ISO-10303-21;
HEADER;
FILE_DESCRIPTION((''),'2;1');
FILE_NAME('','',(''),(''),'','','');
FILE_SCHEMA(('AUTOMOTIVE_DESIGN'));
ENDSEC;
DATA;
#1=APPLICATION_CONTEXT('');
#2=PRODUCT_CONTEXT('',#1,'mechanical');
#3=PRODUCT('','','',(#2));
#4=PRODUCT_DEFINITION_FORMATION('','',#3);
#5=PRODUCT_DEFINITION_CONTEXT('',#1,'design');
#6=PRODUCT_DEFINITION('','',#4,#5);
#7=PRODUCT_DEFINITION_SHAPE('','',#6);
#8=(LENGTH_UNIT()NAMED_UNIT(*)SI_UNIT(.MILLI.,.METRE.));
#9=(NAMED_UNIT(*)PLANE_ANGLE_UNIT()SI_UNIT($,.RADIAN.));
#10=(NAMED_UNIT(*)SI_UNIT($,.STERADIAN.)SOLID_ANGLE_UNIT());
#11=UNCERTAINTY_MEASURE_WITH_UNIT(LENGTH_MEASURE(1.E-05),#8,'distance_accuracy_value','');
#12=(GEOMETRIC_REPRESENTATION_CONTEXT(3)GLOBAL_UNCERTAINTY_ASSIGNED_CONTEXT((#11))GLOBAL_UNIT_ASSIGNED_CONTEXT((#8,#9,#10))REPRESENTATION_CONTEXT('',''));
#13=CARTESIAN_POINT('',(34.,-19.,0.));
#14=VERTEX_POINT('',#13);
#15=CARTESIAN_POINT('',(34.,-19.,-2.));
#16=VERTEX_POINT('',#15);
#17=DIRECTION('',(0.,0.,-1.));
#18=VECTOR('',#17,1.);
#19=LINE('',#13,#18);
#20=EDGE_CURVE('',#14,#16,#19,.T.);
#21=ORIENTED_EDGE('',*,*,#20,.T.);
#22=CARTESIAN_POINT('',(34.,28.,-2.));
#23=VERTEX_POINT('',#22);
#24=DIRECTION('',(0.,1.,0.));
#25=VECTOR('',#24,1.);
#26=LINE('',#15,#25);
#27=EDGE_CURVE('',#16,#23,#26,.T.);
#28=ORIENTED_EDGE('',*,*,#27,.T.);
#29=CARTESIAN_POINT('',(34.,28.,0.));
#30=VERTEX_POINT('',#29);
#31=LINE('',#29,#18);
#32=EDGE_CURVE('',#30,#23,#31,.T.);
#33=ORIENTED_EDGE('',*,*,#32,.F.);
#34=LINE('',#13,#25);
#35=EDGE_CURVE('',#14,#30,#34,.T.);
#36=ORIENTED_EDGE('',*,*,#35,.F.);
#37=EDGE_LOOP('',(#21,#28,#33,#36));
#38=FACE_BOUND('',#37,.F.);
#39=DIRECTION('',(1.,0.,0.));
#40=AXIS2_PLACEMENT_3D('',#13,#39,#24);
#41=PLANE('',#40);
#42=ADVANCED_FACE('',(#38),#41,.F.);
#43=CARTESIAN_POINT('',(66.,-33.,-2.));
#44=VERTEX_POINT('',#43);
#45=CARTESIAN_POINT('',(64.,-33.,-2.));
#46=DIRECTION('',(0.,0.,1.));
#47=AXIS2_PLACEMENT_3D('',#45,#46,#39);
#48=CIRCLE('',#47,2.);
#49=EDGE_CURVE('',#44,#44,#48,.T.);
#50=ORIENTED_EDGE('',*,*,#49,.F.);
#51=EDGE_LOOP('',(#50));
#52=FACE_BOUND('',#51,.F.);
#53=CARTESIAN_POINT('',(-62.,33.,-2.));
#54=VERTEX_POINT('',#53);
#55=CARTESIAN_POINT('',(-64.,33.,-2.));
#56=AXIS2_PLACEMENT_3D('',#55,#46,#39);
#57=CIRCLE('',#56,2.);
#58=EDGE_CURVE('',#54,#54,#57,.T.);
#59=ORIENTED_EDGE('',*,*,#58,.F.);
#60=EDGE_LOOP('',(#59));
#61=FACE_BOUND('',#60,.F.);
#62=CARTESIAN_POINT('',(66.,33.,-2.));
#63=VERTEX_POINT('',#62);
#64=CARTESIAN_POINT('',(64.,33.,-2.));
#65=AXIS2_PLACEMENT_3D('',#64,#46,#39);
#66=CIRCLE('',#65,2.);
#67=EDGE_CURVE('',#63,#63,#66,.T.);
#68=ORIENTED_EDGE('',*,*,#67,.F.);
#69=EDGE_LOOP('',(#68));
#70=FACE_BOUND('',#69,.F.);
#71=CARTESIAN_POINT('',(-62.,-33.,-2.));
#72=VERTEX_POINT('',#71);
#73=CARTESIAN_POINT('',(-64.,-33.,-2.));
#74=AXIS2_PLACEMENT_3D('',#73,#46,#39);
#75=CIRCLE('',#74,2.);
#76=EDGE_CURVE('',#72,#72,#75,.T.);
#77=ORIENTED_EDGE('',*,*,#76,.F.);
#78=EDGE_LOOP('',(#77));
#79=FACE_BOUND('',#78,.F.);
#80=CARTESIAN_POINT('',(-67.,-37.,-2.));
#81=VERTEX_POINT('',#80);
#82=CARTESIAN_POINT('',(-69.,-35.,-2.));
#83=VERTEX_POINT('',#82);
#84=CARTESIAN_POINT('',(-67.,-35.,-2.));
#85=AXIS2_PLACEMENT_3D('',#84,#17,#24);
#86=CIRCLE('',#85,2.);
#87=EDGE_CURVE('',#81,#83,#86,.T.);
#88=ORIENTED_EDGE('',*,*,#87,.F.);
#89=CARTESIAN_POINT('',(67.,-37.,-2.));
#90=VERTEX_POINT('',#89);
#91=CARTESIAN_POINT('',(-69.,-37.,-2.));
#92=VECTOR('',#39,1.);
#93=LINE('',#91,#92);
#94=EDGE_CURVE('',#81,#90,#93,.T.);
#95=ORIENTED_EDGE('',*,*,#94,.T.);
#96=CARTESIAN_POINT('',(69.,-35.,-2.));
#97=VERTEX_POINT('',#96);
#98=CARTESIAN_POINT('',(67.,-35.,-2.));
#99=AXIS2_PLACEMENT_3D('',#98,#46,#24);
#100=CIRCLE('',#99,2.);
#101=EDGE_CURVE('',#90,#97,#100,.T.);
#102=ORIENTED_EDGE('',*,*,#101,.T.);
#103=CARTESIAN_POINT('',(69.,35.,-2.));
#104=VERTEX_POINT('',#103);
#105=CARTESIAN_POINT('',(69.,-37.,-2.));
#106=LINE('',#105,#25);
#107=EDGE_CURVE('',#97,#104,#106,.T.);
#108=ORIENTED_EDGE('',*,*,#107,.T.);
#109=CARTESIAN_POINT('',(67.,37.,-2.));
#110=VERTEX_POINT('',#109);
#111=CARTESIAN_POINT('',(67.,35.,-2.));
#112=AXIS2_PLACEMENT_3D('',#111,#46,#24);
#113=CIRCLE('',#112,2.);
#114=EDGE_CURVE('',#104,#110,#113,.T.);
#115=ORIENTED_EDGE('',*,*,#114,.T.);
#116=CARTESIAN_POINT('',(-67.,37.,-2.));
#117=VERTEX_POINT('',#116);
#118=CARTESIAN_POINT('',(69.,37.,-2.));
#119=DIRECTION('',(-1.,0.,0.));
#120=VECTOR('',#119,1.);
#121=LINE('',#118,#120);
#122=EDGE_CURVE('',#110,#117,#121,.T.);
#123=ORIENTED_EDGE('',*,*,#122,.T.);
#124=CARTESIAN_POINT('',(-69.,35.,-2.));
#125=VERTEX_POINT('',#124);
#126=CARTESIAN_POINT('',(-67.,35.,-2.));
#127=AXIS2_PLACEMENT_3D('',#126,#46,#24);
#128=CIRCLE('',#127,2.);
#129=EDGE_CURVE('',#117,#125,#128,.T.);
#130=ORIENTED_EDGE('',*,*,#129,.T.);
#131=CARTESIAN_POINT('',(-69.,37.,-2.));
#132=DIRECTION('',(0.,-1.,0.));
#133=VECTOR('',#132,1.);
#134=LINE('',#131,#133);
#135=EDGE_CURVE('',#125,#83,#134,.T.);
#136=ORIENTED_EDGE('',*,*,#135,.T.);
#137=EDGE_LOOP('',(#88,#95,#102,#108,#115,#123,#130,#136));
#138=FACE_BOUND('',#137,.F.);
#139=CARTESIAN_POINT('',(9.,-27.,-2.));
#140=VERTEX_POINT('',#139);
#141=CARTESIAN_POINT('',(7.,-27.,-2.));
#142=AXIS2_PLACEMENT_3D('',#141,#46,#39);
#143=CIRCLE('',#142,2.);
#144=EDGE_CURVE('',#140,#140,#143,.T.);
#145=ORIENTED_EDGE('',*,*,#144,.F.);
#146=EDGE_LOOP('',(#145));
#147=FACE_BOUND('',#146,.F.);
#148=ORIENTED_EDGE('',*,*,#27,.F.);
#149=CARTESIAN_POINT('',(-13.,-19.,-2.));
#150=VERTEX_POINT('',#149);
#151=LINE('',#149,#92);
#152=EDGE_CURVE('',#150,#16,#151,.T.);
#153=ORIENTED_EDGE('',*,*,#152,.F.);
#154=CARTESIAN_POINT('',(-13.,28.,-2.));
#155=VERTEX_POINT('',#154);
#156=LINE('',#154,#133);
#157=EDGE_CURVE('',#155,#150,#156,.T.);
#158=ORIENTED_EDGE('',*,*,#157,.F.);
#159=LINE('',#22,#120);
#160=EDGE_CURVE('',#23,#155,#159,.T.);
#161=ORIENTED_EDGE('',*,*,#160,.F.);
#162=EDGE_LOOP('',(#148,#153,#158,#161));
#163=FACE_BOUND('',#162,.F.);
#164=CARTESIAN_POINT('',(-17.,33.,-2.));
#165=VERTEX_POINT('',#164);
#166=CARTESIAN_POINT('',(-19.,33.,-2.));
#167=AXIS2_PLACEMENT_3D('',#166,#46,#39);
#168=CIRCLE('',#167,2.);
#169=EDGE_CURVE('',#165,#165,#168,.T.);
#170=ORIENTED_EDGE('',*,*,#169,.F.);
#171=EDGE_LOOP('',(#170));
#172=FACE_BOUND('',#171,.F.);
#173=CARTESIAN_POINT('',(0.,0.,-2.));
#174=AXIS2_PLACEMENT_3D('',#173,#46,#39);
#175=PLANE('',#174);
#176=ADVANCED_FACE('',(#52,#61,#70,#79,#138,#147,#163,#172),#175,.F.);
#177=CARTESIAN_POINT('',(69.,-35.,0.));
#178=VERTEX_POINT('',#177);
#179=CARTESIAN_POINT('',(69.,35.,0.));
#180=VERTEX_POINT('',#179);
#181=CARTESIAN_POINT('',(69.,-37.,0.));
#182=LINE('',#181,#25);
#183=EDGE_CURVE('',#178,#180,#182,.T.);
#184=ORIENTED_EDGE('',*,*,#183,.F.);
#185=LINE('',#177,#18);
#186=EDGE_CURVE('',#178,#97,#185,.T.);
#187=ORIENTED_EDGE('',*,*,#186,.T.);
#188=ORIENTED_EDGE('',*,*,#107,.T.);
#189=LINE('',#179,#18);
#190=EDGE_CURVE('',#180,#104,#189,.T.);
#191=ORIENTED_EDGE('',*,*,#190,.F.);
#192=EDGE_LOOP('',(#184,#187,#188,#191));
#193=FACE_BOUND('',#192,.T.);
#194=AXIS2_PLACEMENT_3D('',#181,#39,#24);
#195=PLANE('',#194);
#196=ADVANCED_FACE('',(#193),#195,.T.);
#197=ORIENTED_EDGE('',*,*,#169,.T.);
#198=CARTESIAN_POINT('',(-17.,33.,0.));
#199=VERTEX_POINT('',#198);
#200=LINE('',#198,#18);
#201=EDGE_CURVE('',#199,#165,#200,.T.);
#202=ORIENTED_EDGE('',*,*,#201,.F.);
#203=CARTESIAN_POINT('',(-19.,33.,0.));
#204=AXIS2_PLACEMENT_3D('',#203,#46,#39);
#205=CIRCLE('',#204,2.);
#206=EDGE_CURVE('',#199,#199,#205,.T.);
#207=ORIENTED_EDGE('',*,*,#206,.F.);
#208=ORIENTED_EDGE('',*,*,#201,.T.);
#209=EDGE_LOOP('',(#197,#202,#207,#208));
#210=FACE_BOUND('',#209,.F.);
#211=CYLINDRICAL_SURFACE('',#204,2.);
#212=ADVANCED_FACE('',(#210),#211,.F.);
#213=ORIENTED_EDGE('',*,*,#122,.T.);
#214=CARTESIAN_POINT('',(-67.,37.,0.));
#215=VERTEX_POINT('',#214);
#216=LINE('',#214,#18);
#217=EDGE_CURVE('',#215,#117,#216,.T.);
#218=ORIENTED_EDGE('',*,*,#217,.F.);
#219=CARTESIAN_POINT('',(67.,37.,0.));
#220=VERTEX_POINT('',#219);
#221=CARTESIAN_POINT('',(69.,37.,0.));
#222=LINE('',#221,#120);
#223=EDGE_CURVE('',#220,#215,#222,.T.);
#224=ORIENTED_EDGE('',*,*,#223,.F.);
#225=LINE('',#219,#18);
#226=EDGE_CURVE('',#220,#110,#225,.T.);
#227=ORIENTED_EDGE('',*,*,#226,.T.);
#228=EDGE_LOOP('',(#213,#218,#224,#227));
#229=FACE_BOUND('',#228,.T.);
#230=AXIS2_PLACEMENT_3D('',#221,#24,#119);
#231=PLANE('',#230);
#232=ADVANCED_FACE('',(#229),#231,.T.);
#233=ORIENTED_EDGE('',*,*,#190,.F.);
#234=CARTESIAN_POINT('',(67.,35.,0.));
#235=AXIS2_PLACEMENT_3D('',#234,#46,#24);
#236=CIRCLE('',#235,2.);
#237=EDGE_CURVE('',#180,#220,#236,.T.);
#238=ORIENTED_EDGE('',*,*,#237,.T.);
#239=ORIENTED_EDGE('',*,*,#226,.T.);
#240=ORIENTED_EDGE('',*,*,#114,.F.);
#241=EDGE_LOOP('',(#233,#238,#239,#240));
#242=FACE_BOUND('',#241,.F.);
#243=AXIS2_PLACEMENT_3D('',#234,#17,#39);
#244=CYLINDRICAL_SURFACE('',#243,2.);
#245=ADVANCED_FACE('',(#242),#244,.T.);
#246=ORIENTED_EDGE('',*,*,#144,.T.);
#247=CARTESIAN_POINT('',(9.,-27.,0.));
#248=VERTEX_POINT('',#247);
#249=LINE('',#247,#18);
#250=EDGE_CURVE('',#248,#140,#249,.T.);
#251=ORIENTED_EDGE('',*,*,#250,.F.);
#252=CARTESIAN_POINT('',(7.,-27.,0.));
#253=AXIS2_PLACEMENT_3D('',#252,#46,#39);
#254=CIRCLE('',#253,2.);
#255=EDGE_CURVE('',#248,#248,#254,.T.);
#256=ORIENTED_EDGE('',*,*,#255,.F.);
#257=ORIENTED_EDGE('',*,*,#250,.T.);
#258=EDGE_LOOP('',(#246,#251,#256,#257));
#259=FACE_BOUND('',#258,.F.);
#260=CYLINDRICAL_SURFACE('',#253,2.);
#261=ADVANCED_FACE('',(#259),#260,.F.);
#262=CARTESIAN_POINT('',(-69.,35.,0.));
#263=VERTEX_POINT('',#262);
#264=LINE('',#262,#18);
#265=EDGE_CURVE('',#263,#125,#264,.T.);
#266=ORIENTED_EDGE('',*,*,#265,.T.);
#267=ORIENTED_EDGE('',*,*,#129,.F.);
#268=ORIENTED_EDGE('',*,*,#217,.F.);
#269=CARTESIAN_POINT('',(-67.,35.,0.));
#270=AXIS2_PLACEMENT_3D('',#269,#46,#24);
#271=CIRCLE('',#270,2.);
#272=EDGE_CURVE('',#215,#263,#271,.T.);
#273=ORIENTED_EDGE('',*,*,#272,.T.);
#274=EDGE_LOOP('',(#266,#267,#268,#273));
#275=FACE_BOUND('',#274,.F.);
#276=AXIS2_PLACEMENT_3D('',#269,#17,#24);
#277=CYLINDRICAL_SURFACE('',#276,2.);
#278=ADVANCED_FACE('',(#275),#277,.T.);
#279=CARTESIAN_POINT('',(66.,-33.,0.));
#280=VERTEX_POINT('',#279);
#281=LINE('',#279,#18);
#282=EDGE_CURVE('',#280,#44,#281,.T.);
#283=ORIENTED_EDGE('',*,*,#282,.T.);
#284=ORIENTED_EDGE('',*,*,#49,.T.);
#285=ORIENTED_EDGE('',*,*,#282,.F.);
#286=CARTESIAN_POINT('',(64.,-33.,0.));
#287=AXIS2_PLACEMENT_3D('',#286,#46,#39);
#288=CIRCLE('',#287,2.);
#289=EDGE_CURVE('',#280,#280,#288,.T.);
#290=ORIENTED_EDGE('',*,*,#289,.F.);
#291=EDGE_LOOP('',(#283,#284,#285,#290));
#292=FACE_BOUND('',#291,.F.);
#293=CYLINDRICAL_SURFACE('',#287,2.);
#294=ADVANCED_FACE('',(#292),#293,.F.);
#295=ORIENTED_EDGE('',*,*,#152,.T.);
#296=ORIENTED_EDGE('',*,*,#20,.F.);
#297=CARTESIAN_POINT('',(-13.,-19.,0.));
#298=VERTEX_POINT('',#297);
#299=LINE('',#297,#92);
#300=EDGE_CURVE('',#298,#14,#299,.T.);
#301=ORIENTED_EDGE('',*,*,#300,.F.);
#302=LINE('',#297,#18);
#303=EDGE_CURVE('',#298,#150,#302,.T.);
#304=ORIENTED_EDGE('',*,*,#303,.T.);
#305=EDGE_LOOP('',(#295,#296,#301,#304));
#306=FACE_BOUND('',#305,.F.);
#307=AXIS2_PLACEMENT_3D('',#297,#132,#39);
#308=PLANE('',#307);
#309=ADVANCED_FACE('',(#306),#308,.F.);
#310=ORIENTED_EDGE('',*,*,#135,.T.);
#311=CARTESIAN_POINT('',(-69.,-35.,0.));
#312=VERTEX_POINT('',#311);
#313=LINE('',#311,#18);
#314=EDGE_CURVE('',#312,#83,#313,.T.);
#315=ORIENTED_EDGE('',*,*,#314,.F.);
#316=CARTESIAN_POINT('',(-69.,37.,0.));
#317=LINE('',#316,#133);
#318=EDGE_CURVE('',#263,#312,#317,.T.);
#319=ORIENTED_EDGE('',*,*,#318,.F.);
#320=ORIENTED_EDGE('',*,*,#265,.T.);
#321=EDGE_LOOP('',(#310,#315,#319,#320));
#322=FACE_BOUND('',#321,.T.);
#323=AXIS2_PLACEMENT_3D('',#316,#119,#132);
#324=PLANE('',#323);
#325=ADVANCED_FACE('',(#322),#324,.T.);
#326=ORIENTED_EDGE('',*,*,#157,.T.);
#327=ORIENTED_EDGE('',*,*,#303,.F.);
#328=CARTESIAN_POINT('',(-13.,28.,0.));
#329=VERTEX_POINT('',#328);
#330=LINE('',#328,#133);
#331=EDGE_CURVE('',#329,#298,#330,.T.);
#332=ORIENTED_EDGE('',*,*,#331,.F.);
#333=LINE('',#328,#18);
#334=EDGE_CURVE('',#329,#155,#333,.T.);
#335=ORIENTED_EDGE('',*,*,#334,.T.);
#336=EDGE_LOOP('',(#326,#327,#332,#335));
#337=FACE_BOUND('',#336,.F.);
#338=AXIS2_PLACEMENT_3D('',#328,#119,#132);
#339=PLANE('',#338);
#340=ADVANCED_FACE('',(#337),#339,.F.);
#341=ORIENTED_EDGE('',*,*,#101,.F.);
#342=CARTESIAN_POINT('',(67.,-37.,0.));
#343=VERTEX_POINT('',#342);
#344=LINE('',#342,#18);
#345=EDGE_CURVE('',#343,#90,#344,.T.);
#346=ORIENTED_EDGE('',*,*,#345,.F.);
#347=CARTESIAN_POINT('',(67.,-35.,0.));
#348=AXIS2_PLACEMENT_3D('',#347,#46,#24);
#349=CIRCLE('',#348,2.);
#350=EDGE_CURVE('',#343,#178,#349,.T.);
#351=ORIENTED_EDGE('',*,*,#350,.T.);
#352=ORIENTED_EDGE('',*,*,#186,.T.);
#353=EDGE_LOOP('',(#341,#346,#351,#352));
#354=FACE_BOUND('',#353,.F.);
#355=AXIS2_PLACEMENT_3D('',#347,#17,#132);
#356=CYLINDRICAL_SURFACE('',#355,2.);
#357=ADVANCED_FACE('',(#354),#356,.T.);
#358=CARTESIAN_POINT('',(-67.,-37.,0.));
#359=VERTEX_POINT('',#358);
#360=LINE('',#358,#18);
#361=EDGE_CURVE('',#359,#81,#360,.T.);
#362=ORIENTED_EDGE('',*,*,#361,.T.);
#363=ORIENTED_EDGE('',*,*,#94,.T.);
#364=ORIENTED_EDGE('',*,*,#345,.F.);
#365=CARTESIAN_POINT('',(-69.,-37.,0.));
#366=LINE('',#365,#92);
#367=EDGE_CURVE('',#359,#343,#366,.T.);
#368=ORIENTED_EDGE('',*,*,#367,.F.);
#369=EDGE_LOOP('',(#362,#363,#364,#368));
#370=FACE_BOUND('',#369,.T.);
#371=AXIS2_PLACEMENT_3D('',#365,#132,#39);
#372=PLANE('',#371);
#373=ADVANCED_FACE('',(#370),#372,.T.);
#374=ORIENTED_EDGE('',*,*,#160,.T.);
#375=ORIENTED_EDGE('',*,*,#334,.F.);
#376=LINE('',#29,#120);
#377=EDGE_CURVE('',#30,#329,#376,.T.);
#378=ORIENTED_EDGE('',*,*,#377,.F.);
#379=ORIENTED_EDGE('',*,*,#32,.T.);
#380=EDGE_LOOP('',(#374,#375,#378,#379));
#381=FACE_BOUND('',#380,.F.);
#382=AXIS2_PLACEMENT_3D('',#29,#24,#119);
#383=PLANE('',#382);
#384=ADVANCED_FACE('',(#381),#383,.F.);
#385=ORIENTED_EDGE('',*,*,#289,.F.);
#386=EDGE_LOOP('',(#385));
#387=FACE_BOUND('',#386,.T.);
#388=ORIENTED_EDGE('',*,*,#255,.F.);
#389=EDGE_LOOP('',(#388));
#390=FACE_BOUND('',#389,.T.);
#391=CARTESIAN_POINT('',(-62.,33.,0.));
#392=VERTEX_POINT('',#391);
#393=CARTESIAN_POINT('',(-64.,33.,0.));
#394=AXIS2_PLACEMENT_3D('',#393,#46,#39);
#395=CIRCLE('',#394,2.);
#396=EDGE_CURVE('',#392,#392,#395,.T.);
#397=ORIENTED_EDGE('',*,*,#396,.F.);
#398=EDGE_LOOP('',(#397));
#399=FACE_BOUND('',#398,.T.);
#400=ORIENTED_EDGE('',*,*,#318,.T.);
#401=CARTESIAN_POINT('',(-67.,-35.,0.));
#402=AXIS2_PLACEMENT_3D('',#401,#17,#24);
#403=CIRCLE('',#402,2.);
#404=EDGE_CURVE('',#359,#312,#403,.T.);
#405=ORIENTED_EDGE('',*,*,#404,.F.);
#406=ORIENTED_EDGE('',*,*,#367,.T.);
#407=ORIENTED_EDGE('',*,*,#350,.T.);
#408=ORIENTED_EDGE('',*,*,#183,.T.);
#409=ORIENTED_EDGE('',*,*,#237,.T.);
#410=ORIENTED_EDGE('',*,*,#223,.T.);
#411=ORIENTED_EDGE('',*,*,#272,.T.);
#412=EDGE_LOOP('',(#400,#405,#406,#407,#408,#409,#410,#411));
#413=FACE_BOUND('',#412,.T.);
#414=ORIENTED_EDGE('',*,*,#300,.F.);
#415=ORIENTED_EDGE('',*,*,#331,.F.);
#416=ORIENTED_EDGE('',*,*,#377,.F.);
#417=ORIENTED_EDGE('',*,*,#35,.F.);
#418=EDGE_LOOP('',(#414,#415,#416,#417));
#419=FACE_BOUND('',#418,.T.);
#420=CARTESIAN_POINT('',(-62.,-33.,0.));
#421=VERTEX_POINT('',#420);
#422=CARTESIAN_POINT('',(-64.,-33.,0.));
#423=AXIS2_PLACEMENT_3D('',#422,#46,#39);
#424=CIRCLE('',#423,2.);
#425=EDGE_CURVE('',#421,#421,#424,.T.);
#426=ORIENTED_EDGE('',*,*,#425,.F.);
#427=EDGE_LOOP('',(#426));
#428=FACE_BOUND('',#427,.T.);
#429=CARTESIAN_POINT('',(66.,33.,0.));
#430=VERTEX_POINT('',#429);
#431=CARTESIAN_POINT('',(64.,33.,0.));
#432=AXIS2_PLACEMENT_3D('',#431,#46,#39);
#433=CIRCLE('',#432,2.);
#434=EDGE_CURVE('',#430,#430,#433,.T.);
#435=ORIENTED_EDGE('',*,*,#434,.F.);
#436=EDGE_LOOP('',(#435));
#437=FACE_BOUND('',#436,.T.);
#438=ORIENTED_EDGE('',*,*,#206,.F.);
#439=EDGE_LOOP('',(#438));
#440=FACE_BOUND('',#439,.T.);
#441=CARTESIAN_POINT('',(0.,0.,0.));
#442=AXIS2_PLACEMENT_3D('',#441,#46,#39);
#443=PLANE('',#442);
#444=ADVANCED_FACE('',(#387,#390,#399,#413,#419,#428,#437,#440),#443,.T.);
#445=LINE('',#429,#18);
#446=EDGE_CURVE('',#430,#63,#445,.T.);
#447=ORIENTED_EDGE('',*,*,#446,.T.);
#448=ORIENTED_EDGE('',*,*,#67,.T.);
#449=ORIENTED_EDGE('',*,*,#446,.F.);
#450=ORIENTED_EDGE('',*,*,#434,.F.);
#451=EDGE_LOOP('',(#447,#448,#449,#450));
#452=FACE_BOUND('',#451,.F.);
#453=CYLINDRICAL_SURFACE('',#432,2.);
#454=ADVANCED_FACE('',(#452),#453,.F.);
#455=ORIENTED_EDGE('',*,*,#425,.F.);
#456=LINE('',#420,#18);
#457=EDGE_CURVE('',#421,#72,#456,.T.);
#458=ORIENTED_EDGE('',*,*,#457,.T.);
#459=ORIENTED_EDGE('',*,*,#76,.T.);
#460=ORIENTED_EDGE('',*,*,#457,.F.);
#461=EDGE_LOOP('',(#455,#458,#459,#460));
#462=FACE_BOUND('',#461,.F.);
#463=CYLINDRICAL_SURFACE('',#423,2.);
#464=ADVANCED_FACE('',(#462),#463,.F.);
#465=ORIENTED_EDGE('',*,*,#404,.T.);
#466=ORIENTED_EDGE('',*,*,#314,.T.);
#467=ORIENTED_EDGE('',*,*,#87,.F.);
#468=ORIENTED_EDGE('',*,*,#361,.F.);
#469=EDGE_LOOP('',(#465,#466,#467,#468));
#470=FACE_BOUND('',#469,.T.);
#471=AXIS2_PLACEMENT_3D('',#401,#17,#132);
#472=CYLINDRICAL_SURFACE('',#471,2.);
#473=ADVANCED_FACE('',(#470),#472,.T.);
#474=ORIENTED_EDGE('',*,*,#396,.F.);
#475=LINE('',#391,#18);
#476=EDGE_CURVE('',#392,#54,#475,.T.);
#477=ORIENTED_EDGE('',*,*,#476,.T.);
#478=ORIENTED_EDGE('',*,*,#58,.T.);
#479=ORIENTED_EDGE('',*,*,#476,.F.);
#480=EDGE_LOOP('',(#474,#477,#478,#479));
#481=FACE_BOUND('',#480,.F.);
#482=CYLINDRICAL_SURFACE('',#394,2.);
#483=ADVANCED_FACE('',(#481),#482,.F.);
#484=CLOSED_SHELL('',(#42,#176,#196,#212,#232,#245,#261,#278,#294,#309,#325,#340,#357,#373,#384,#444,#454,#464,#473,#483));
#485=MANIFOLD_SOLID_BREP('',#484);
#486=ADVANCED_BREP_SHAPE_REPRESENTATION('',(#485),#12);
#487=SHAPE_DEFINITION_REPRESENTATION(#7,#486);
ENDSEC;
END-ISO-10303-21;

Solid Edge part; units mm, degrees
sketch "Sketch1" plane through (0, 0, 0) normal (0, 0, 1) x (1, 0, 0)
  line L0 (-69, -37) -> (69, -37)
  line L1 (69, -37) -> (69, 37)
  line L2 (69, 37) -> (-69, 37)
  line L3 (-69, 37) -> (-69, -37)
  line L4 (-13, -19) -> (34, -19)
  line L5 (34, -19) -> (34, 28)
  line L6 (34, 28) -> (-13, 28)
  line L7 (-13, 28) -> (-13, -19)
  circle A0 centre (-64, 33) radius 2
  circle A1 centre (-64, -33) radius 2
  circle A2 centre (64, -33) radius 2
  circle A3 centre (7, -27) radius 2
  circle A4 centre (64, 33) radius 2
  circle A5 centre (-19, 33) radius 2
  dimension "D1" = 138
  dimension "D2" = 74
  dimension "D3" = 47
  dimension "D4" = 47
  dimension "D5" = 4
  dimension "D6" = 5
  dimension "D7" = 4
  dimension "D8" = 5
  dimension "D9" = 4
  dimension "D10" = 4
  dimension "D11" = 4
  dimension "D12" = 5
  dimension "D13" = 4
  dimension "D14" = 88
  dimension "D15" = 10
  dimension "D16" = 62
  dimension "D17" = 35
  dimension "D18" = 18
extrude "Protrusion1" add sketch "Sketch1" against normal blind 2
fillet "Congé_1" radius 2 4 edges at (-69, -37, -1) (-69, 37, -1) (69, 37, -1) (69, -37, -1)
